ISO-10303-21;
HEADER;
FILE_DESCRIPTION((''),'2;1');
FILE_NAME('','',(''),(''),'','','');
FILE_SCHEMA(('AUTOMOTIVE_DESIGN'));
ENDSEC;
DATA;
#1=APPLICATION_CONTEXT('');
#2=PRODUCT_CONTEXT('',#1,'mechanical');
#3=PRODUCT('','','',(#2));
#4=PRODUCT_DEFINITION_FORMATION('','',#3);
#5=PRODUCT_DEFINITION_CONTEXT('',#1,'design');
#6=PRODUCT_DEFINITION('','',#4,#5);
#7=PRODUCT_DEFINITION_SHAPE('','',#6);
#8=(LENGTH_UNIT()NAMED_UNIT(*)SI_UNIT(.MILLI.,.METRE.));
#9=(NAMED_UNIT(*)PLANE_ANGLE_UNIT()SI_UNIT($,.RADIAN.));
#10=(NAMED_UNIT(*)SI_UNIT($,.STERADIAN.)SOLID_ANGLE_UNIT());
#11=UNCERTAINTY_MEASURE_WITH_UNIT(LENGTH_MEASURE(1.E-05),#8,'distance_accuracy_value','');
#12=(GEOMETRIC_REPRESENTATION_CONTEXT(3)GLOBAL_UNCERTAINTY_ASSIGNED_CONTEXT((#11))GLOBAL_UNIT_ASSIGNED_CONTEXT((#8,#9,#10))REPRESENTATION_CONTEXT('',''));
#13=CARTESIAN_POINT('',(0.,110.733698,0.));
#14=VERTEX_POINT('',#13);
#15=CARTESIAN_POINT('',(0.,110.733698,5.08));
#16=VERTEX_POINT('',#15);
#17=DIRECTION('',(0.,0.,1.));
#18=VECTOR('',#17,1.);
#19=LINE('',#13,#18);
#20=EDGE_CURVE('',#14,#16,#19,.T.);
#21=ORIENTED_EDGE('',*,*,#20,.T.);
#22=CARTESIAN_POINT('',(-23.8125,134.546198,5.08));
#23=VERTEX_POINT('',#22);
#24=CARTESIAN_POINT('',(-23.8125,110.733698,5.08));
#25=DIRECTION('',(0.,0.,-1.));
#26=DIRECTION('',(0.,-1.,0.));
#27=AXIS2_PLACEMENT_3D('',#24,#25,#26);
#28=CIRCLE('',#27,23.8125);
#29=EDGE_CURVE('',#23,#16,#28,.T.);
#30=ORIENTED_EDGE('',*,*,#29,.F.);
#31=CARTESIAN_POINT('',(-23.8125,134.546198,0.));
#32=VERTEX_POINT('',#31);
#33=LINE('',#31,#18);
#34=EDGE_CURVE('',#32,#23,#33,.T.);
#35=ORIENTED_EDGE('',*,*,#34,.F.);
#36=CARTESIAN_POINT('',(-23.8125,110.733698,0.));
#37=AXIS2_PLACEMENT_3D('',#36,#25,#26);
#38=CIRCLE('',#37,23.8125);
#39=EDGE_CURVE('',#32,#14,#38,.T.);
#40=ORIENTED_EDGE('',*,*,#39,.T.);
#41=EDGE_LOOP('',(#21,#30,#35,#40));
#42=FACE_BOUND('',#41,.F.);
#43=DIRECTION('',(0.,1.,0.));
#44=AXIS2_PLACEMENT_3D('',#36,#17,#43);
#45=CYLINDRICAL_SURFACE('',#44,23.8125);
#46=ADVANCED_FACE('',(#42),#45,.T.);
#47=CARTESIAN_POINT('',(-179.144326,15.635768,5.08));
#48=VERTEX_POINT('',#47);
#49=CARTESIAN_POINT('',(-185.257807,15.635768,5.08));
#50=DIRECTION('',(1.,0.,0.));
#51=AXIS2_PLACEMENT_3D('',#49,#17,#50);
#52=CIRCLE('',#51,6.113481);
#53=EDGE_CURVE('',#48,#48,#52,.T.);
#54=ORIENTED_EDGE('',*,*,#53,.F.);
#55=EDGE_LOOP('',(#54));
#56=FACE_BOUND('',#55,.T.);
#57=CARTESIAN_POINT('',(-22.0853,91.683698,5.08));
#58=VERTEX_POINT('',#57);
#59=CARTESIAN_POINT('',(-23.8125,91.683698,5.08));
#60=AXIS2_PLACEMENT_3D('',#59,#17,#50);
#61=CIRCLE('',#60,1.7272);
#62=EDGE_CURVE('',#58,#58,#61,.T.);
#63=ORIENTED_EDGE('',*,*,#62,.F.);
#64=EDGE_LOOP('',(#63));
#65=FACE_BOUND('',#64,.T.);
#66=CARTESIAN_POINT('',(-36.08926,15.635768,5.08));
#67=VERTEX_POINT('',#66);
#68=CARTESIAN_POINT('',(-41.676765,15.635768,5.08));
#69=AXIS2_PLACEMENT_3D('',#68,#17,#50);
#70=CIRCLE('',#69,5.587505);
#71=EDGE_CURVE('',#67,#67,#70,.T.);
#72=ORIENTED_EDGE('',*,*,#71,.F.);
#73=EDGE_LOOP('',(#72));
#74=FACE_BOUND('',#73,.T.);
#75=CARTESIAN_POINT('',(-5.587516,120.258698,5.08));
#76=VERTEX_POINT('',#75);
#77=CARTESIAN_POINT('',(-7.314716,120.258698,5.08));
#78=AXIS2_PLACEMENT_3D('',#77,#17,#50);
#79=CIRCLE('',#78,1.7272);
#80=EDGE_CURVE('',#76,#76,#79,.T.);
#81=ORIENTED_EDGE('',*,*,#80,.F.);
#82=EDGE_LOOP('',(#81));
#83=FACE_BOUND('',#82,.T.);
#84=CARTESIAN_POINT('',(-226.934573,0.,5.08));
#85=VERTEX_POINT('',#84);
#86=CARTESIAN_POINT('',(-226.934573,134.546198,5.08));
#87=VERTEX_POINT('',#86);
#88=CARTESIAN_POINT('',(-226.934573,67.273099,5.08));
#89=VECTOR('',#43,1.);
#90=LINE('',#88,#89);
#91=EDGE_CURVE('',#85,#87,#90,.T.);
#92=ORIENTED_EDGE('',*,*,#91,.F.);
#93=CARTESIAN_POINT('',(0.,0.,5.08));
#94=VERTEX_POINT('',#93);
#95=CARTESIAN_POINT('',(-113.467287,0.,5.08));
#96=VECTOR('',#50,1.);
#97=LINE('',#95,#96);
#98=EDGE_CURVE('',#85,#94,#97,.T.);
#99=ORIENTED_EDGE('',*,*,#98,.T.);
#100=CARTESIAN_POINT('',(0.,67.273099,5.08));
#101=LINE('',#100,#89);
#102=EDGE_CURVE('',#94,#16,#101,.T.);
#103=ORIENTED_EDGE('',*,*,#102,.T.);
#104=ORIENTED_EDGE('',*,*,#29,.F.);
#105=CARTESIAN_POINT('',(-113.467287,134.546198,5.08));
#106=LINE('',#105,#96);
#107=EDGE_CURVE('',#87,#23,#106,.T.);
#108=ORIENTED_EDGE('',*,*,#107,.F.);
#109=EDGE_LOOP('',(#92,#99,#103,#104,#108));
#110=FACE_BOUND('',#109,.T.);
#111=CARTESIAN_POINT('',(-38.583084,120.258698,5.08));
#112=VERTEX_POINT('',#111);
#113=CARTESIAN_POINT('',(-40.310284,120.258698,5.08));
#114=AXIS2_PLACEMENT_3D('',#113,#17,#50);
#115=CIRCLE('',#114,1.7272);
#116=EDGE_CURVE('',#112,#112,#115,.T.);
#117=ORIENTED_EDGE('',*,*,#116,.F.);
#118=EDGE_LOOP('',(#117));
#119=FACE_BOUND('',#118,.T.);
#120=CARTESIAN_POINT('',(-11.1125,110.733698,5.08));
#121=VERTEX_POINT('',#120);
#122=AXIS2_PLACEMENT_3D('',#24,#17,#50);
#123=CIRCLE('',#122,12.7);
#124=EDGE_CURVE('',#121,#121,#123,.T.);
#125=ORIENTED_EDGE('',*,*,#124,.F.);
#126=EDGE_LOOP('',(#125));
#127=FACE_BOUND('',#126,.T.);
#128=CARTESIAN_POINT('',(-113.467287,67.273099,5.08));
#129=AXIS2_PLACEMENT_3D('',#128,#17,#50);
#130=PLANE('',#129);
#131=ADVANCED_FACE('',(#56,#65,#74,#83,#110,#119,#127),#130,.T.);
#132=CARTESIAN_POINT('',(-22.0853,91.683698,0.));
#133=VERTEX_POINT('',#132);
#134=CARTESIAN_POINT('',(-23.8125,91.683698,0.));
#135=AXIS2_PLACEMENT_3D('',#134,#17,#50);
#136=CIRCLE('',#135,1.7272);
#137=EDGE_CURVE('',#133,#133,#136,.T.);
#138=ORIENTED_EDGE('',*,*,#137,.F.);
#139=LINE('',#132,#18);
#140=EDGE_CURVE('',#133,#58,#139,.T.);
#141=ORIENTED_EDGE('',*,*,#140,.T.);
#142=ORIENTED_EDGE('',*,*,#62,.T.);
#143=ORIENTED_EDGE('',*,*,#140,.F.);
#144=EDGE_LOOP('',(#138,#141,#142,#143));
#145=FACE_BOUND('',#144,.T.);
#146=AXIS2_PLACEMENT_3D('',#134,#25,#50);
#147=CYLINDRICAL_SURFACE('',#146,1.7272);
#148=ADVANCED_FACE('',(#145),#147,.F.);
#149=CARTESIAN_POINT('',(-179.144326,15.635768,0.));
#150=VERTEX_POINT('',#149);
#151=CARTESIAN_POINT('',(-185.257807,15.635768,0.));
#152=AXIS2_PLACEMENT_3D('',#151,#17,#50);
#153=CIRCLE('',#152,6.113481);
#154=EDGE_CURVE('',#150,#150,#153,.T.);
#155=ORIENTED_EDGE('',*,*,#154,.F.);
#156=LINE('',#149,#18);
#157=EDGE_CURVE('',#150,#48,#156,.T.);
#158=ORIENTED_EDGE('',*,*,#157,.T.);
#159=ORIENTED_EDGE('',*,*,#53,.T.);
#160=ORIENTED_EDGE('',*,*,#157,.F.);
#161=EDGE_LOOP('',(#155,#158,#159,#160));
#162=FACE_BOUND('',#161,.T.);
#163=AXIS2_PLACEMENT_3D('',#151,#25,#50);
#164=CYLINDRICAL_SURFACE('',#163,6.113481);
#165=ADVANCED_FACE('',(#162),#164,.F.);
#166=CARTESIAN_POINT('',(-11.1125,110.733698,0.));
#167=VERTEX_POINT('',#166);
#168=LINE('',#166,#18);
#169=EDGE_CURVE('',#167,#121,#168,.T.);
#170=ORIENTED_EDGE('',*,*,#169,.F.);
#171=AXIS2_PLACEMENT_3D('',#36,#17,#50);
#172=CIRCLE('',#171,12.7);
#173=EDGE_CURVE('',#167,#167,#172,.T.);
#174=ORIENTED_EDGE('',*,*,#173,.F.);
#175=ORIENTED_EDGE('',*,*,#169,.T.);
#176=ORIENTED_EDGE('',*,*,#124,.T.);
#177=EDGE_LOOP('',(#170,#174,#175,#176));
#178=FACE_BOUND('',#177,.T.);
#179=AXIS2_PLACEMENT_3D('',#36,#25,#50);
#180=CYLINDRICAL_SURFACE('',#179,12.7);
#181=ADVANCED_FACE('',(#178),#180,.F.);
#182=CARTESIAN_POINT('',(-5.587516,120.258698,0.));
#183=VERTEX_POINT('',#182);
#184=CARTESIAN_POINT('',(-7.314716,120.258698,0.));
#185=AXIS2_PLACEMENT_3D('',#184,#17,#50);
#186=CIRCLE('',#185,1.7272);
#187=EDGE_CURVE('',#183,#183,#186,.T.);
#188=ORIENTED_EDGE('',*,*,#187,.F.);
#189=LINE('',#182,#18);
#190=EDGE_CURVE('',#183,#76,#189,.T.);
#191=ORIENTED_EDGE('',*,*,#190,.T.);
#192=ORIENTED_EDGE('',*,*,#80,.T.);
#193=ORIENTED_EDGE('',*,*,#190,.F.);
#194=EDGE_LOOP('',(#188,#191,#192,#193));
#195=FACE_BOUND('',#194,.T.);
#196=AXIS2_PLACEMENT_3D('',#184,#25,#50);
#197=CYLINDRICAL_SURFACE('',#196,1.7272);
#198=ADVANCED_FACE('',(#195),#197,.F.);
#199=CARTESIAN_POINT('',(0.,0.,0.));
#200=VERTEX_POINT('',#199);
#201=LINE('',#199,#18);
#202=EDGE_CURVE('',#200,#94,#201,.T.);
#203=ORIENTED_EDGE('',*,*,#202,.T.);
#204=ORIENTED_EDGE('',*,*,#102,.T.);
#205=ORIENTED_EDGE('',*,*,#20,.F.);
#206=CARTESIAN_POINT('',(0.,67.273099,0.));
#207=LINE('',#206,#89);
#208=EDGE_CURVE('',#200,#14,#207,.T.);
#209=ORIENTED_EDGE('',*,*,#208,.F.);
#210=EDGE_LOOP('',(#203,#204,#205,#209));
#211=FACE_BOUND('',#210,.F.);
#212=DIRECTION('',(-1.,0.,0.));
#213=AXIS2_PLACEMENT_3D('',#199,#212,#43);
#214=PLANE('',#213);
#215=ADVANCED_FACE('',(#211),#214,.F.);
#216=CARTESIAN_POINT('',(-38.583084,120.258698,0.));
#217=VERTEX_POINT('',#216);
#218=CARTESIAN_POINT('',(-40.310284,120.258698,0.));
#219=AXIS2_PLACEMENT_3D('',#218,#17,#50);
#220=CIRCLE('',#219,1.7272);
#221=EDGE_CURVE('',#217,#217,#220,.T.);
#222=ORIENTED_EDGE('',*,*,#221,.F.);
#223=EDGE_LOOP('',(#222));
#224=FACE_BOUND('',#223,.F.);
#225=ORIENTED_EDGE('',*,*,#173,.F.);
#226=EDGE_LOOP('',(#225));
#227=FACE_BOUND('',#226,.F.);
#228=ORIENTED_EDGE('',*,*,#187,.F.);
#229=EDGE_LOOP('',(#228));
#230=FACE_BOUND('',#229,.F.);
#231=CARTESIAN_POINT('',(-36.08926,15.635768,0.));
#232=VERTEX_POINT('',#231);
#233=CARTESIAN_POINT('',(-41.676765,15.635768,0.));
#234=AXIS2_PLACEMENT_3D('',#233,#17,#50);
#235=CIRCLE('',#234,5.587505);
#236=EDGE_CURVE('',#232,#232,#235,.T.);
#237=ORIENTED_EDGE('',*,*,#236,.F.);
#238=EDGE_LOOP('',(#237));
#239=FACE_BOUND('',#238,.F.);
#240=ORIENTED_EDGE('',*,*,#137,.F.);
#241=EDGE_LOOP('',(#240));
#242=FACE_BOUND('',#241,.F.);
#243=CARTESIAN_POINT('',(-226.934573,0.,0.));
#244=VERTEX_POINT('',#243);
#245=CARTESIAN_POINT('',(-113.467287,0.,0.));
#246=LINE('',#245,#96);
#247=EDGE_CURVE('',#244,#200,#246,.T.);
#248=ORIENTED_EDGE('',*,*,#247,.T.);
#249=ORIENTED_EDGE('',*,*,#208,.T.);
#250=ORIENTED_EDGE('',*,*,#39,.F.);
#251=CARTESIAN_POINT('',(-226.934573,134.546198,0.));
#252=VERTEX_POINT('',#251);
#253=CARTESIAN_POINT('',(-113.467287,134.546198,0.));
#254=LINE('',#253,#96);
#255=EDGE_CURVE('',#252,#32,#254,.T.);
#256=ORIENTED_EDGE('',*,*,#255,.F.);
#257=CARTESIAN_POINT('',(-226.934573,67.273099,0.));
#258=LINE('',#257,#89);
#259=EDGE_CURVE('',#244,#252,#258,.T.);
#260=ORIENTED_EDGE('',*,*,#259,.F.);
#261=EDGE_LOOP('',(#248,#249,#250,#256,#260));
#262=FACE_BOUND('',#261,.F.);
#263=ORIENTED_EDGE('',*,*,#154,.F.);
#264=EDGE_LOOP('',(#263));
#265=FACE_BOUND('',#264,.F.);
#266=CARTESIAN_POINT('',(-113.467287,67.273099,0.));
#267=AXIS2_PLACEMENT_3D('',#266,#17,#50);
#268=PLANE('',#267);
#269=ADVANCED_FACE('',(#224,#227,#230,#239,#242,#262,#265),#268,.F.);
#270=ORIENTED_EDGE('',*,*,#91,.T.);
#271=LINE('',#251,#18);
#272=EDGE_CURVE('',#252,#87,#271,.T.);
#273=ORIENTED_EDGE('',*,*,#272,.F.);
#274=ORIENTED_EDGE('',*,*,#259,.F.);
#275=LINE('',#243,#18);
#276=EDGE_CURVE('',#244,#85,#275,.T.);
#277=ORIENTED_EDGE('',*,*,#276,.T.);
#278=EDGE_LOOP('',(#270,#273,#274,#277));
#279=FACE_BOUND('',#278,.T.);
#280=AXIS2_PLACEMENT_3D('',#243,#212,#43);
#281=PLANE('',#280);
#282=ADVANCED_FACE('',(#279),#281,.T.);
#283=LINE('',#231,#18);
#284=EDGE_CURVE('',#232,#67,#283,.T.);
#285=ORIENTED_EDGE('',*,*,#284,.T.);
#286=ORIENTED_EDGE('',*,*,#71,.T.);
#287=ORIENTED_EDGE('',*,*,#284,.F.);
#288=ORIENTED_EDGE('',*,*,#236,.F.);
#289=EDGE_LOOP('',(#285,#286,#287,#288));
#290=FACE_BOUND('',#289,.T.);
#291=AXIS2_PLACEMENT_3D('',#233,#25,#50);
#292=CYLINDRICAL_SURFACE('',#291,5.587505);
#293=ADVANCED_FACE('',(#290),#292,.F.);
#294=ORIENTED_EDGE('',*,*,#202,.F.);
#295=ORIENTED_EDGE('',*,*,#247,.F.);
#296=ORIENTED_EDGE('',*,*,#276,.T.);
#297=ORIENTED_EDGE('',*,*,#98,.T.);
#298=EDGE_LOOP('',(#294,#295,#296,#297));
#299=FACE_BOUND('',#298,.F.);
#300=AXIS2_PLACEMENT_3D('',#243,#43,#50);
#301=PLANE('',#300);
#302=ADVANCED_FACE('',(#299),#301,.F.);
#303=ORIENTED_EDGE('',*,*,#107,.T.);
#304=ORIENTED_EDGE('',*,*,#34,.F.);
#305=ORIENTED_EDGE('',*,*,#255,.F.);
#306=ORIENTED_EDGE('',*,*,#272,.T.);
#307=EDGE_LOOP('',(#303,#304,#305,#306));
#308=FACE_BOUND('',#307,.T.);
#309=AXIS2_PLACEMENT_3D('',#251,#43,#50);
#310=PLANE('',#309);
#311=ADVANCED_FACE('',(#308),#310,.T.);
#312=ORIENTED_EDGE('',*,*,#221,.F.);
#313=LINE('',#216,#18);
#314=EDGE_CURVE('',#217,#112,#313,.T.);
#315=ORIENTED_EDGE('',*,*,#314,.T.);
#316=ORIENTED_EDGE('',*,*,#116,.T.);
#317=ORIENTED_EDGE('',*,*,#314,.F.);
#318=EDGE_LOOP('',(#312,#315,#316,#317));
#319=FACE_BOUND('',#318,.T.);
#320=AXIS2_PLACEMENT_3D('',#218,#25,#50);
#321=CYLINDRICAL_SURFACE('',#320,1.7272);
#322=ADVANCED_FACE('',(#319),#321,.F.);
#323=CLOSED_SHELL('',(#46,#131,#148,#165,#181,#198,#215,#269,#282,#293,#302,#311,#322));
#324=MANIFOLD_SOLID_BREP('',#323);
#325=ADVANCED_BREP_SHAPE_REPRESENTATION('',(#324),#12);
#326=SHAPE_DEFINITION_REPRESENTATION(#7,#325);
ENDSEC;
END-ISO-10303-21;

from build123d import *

# Parameters (mm, degrees)
F0_W     = 226.934573
F0_H     = 134.546198
F0_R     = 6.113481
F0_R_2   = 5.587505
F0_R_3   = 1.7272
F0_R_4   = 12.7
F1_DEPTH = 5.08
F2_R     = 23.8125


with BuildPart() as f1:
    # F0 (on Top) → F1 (new body)
    with BuildSketch(Plane.XY):
        with Locations((-113.467287, 67.273099)):
            Rectangle(F0_W, F0_H)
        with Locations((-185.257807, 15.635768)):
            Circle(F0_R, mode=Mode.SUBTRACT)
        with Locations((-41.676765, 15.635768)):
            Circle(F0_R_2, mode=Mode.SUBTRACT)
        with Locations((-23.8125, 91.683698)):
            Circle(F0_R_3, mode=Mode.SUBTRACT)
        with Locations((-23.8125, 110.733698)):
            Circle(F0_R_4, mode=Mode.SUBTRACT)
        with Locations((-40.310284, 120.258698)):
            Circle(F0_R_3, mode=Mode.SUBTRACT)
        with Locations((-7.314716, 120.258698)):
            Circle(F0_R_3, mode=Mode.SUBTRACT)
    extrude(amount=F1_DEPTH)

    # F2
    f2_edges = [f1.edges().sort_by_distance(p)[0] for p in [
        (0, 134.546198, 2.54),
    ]]
    fillet(f2_edges, radius=F2_R)


solid = f1.part
